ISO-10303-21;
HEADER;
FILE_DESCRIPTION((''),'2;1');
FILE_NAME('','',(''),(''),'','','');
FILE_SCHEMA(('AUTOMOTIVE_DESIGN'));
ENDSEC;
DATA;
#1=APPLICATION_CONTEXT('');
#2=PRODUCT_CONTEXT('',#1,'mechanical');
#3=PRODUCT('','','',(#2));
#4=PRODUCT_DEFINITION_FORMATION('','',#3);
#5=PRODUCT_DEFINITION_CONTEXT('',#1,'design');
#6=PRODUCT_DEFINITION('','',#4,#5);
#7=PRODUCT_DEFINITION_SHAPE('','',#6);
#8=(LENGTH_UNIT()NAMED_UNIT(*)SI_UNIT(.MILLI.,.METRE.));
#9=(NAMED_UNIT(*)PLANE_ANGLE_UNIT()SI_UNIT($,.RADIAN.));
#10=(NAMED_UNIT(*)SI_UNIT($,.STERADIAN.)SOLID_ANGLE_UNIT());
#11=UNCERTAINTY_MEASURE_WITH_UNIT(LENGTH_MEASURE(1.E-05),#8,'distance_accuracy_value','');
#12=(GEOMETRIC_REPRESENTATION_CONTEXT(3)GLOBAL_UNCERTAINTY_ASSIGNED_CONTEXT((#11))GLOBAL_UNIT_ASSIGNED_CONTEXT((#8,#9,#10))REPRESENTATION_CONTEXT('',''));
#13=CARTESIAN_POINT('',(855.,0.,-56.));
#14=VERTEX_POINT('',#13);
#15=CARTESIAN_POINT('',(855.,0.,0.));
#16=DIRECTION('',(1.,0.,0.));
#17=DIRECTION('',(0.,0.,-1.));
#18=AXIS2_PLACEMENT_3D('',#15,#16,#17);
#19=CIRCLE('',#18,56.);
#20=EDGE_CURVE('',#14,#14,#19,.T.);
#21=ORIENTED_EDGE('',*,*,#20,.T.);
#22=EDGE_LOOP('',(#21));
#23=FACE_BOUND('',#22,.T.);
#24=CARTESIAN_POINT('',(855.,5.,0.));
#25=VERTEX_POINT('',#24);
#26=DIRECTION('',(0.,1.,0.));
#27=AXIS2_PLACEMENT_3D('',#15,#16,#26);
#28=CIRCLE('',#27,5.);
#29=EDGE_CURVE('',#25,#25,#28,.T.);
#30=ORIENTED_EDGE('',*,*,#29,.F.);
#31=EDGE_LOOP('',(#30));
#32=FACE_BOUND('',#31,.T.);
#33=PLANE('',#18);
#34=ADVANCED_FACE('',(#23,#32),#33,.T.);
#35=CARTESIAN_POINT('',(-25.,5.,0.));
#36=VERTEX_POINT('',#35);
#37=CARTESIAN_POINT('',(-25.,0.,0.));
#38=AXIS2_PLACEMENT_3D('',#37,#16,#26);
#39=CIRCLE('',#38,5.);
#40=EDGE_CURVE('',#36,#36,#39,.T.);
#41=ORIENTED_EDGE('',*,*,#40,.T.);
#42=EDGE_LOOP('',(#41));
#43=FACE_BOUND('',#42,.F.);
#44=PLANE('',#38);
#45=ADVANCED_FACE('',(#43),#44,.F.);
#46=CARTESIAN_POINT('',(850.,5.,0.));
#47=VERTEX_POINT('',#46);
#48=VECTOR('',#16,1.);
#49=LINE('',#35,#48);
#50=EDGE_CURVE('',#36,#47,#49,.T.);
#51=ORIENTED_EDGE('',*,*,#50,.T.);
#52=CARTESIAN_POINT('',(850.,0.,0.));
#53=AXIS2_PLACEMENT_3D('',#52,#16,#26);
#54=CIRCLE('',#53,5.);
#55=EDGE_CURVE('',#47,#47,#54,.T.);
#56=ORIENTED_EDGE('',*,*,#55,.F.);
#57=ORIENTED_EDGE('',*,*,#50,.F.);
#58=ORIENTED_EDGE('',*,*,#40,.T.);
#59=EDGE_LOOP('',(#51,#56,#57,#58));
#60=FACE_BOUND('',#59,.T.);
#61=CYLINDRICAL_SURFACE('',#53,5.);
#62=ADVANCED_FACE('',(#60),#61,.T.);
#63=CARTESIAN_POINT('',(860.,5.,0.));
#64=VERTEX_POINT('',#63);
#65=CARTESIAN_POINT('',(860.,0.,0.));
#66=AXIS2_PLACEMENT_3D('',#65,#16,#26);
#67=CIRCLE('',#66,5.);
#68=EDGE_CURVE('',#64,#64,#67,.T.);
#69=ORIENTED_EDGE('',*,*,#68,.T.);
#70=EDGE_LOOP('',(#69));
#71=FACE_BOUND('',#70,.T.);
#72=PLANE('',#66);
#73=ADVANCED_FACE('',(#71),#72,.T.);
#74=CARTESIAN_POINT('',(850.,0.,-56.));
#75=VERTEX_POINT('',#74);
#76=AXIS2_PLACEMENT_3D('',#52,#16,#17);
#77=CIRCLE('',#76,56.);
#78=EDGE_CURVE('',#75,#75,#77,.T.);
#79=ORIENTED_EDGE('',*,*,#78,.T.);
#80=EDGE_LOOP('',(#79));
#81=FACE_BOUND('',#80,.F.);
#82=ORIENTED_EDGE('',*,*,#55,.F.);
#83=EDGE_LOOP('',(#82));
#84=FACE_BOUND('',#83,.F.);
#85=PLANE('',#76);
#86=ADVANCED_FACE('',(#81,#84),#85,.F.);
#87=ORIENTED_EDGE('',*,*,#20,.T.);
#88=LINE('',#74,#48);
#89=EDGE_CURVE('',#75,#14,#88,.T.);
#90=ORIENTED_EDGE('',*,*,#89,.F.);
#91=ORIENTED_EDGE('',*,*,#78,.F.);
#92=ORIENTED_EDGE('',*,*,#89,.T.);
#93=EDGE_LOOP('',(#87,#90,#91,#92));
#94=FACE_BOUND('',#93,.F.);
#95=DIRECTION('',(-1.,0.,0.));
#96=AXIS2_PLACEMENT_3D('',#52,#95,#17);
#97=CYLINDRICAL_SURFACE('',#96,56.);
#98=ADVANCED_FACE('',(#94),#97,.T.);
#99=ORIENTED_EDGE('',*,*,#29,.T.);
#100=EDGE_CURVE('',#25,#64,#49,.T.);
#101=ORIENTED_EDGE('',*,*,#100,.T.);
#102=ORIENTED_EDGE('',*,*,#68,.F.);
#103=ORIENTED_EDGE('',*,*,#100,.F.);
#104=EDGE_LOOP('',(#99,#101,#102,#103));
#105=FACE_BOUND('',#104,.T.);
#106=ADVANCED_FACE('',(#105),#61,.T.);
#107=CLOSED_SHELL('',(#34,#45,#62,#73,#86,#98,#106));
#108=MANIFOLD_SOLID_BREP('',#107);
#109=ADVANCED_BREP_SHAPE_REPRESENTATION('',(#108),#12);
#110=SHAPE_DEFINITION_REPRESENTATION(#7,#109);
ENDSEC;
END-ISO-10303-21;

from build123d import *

# Parameters (mm, degrees)
CYLINDER_R           = 56
CYLINDER_DEPTH       = 5
CYLINDER_PITCH_ANGLE = 90
SKETCH001_R          = 5
PAD_DEPTH            = 10
PAD_DEPTH_BACK       = 875


with BuildPart() as flange_for_rod:
    # Cylinder → Cylinder (new body)
    with BuildSketch(Plane.XY):
        Circle(CYLINDER_R)
    extrude(amount=CYLINDER_DEPTH)


with BuildPart() as flange_for_rod_1:
    # Cylinder pitch: moved
    add(flange_for_rod.part.rotate(Axis((0, 0, 0), (0, 1, 0)), CYLINDER_PITCH_ANGLE))


with BuildPart() as flange_for_rod_2:
    # Cylinder placement: moved
    add(flange_for_rod_1.part)


with BuildPart() as rod_flange:
    # Sketch001 → Pad (new body, two sides)
    with BuildSketch(Plane.YZ) as pad_sk:
        Circle(SKETCH001_R)
    extrude(amount=PAD_DEPTH)
    extrude(pad_sk.sketch, amount=-PAD_DEPTH_BACK)

    # Fusion: union Flange_for_Rod
    add(flange_for_rod_2.part)


with BuildPart() as rod_flange_1:
    # Fusion placement: moved
    add(rod_flange.part.moved(Location((850, 0, 0))))


solid = rod_flange_1.part
